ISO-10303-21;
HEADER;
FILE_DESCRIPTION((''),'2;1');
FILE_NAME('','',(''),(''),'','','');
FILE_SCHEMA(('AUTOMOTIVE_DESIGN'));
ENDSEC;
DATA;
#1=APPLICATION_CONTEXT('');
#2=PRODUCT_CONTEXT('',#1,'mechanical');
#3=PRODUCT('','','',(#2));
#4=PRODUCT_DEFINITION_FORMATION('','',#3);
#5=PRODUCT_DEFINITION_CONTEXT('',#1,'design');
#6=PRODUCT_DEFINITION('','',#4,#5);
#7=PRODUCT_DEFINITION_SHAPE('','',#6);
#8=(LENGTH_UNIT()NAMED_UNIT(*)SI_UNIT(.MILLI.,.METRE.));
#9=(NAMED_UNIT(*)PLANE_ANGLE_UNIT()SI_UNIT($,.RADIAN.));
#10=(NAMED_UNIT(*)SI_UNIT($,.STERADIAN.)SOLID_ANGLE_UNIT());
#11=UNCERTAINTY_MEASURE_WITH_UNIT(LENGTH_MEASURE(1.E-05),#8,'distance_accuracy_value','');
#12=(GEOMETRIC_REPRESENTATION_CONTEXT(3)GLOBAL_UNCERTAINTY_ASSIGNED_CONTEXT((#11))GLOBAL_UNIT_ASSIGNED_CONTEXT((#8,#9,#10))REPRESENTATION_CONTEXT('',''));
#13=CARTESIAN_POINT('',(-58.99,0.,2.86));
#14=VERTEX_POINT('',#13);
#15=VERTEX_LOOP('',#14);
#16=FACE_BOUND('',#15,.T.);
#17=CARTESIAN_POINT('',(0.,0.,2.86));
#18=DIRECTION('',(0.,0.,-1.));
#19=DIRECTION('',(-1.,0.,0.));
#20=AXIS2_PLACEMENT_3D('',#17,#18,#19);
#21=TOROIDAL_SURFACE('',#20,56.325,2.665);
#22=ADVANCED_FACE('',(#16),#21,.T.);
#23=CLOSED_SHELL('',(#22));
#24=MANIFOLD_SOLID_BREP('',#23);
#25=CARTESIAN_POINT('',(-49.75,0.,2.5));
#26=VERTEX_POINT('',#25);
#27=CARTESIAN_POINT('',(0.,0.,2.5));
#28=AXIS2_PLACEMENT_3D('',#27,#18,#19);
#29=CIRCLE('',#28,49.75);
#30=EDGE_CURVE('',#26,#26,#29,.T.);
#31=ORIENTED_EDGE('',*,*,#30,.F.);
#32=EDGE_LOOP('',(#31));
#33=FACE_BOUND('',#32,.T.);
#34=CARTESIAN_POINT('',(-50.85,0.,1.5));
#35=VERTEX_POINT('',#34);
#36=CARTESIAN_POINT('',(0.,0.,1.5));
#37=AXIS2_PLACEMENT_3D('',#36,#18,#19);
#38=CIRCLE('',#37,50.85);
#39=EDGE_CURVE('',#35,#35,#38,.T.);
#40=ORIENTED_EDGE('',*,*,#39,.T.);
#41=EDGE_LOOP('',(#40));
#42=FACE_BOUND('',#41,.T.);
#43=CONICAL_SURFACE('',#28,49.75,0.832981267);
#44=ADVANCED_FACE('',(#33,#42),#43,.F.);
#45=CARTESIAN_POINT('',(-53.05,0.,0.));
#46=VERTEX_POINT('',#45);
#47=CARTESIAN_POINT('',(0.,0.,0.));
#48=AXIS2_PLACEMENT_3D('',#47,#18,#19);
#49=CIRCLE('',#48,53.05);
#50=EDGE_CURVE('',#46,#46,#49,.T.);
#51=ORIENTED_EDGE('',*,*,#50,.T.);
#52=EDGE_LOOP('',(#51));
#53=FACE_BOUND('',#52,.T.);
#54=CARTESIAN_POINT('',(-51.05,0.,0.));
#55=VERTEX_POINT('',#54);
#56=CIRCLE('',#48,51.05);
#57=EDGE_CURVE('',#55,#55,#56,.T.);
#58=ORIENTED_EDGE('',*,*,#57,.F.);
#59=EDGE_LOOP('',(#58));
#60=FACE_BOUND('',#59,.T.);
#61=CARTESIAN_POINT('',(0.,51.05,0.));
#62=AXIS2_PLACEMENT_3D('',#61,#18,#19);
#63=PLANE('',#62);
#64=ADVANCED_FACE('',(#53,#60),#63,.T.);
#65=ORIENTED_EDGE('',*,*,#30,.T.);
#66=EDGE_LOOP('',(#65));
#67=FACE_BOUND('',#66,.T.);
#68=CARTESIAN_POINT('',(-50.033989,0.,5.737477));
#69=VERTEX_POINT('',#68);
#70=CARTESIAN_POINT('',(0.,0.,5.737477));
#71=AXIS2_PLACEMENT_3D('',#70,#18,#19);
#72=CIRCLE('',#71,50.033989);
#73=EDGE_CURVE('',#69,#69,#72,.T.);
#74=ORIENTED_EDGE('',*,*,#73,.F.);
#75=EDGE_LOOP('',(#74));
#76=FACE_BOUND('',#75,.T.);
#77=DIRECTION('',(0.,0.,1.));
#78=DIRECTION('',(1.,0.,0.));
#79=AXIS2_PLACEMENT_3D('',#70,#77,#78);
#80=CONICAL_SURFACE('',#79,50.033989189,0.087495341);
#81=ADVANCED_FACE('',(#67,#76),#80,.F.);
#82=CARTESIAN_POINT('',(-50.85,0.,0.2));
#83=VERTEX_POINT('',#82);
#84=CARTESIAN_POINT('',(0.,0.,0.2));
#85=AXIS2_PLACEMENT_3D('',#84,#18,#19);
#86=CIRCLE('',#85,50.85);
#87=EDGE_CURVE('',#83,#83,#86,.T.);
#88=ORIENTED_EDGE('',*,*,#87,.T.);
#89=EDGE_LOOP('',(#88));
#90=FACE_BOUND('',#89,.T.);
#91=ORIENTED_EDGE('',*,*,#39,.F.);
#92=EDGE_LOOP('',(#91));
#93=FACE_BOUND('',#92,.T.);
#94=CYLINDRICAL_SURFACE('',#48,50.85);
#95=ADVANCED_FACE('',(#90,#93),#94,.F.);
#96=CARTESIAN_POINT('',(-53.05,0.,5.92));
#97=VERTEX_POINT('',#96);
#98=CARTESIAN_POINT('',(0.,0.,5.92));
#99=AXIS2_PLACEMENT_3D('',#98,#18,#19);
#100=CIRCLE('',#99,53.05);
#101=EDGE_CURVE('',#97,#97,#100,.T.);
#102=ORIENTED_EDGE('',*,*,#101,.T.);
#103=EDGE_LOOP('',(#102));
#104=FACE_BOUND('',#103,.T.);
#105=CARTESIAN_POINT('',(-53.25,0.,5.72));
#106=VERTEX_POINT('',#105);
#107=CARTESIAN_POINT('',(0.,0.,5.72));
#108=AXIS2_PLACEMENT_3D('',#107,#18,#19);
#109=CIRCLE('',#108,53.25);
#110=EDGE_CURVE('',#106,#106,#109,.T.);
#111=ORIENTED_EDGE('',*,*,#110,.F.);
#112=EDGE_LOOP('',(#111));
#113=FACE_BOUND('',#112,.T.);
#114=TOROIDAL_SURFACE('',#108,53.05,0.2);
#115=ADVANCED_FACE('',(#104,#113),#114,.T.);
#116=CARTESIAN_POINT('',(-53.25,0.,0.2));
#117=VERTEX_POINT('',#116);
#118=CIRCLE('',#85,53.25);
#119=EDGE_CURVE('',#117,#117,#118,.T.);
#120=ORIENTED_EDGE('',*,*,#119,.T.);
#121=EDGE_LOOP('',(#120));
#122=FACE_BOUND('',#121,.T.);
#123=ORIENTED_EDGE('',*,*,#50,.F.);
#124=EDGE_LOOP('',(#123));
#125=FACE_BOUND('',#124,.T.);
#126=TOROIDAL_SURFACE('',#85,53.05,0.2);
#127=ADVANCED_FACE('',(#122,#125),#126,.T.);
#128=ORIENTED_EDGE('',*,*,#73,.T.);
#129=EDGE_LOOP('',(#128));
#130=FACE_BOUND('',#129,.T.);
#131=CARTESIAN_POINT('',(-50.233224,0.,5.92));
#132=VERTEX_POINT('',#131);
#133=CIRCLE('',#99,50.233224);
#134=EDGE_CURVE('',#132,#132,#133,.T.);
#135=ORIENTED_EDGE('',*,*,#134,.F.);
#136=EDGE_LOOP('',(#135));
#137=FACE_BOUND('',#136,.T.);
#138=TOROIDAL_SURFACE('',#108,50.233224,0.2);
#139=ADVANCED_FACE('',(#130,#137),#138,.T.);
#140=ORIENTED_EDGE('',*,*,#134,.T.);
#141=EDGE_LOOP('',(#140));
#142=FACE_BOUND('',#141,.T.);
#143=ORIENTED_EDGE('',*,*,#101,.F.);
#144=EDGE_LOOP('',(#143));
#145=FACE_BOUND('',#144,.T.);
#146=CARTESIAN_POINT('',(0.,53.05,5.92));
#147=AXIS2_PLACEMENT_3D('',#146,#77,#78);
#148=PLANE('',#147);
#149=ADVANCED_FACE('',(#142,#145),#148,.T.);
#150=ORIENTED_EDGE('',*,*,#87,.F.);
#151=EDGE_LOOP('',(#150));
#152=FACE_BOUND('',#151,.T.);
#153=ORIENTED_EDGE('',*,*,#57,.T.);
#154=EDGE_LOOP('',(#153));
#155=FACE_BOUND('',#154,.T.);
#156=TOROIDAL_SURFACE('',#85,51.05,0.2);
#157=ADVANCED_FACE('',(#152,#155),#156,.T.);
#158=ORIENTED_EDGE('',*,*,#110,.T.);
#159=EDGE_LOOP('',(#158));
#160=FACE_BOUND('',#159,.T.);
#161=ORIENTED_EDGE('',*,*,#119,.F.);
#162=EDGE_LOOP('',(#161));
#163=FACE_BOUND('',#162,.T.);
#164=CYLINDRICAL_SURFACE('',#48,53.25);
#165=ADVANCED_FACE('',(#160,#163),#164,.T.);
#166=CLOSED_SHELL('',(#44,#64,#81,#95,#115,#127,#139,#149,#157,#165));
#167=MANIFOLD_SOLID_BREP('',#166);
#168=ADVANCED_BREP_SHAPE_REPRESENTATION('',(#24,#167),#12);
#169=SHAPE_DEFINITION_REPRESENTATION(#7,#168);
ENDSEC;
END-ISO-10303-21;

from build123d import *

# Parameters (mm, degrees)
SKETCH4_R = 2.665


with BuildPart() as part:
    # Sketch1 → Revolve1 (revolve)
    with BuildSketch(Plane(origin=(0, 0, 0), x_dir=(0, 0, -1), z_dir=(1, 0, 0)), mode=Mode.PRIVATE) as revolve1_sk:
        with BuildLine():
            Line((0, 51.05), (0, 53.05))
            ThreePointArc((0, 53.05), (-0.058578644, 53.191421356), (-0.2, 53.25))
            Line((-0.2, 53.25), (-5.72, 53.25))
            ThreePointArc((-5.72, 53.25), (-5.861421356, 53.191421356), (-5.92, 53.05))
            Line((-5.92, 53.05), (-5.92, 50.233224133))
            ThreePointArc((-5.92, 50.233224133), (-5.867470929, 50.098122967), (-5.73747675, 50.033989189))
            Line((-5.73747675, 50.033989189), (-2.5, 49.75))
            Line((-2.5, 49.75), (-1.5, 50.85))
            Line((-1.5, 50.85), (-0.2, 50.85))
            ThreePointArc((-0.2, 50.85), (-0.058578644, 50.908578644), (0, 51.05))
        make_face()
    revolve(revolve1_sk.sketch.rotate(Axis((0, 0, 0), (0, 0, 1)), 90), axis=Axis((0, 0, 0), (0, 0, 1)))


with BuildPart() as body_2:
    # Sketch4 → Revolve2 (revolve)
    with BuildSketch(Plane(origin=(0, 0, 0), x_dir=(0, 0, -1), z_dir=(1, 0, 0)), mode=Mode.PRIVATE) as revolve2_sk:
        with Locations((-2.86, 56.325)):
            Circle(SKETCH4_R)
    revolve(revolve2_sk.sketch.rotate(Axis((0, 0, 0), (0, 0, 1)), 90), axis=Axis((0, 0, 0), (0, 0, 1)))


solid = Compound([part.part, body_2.part])
